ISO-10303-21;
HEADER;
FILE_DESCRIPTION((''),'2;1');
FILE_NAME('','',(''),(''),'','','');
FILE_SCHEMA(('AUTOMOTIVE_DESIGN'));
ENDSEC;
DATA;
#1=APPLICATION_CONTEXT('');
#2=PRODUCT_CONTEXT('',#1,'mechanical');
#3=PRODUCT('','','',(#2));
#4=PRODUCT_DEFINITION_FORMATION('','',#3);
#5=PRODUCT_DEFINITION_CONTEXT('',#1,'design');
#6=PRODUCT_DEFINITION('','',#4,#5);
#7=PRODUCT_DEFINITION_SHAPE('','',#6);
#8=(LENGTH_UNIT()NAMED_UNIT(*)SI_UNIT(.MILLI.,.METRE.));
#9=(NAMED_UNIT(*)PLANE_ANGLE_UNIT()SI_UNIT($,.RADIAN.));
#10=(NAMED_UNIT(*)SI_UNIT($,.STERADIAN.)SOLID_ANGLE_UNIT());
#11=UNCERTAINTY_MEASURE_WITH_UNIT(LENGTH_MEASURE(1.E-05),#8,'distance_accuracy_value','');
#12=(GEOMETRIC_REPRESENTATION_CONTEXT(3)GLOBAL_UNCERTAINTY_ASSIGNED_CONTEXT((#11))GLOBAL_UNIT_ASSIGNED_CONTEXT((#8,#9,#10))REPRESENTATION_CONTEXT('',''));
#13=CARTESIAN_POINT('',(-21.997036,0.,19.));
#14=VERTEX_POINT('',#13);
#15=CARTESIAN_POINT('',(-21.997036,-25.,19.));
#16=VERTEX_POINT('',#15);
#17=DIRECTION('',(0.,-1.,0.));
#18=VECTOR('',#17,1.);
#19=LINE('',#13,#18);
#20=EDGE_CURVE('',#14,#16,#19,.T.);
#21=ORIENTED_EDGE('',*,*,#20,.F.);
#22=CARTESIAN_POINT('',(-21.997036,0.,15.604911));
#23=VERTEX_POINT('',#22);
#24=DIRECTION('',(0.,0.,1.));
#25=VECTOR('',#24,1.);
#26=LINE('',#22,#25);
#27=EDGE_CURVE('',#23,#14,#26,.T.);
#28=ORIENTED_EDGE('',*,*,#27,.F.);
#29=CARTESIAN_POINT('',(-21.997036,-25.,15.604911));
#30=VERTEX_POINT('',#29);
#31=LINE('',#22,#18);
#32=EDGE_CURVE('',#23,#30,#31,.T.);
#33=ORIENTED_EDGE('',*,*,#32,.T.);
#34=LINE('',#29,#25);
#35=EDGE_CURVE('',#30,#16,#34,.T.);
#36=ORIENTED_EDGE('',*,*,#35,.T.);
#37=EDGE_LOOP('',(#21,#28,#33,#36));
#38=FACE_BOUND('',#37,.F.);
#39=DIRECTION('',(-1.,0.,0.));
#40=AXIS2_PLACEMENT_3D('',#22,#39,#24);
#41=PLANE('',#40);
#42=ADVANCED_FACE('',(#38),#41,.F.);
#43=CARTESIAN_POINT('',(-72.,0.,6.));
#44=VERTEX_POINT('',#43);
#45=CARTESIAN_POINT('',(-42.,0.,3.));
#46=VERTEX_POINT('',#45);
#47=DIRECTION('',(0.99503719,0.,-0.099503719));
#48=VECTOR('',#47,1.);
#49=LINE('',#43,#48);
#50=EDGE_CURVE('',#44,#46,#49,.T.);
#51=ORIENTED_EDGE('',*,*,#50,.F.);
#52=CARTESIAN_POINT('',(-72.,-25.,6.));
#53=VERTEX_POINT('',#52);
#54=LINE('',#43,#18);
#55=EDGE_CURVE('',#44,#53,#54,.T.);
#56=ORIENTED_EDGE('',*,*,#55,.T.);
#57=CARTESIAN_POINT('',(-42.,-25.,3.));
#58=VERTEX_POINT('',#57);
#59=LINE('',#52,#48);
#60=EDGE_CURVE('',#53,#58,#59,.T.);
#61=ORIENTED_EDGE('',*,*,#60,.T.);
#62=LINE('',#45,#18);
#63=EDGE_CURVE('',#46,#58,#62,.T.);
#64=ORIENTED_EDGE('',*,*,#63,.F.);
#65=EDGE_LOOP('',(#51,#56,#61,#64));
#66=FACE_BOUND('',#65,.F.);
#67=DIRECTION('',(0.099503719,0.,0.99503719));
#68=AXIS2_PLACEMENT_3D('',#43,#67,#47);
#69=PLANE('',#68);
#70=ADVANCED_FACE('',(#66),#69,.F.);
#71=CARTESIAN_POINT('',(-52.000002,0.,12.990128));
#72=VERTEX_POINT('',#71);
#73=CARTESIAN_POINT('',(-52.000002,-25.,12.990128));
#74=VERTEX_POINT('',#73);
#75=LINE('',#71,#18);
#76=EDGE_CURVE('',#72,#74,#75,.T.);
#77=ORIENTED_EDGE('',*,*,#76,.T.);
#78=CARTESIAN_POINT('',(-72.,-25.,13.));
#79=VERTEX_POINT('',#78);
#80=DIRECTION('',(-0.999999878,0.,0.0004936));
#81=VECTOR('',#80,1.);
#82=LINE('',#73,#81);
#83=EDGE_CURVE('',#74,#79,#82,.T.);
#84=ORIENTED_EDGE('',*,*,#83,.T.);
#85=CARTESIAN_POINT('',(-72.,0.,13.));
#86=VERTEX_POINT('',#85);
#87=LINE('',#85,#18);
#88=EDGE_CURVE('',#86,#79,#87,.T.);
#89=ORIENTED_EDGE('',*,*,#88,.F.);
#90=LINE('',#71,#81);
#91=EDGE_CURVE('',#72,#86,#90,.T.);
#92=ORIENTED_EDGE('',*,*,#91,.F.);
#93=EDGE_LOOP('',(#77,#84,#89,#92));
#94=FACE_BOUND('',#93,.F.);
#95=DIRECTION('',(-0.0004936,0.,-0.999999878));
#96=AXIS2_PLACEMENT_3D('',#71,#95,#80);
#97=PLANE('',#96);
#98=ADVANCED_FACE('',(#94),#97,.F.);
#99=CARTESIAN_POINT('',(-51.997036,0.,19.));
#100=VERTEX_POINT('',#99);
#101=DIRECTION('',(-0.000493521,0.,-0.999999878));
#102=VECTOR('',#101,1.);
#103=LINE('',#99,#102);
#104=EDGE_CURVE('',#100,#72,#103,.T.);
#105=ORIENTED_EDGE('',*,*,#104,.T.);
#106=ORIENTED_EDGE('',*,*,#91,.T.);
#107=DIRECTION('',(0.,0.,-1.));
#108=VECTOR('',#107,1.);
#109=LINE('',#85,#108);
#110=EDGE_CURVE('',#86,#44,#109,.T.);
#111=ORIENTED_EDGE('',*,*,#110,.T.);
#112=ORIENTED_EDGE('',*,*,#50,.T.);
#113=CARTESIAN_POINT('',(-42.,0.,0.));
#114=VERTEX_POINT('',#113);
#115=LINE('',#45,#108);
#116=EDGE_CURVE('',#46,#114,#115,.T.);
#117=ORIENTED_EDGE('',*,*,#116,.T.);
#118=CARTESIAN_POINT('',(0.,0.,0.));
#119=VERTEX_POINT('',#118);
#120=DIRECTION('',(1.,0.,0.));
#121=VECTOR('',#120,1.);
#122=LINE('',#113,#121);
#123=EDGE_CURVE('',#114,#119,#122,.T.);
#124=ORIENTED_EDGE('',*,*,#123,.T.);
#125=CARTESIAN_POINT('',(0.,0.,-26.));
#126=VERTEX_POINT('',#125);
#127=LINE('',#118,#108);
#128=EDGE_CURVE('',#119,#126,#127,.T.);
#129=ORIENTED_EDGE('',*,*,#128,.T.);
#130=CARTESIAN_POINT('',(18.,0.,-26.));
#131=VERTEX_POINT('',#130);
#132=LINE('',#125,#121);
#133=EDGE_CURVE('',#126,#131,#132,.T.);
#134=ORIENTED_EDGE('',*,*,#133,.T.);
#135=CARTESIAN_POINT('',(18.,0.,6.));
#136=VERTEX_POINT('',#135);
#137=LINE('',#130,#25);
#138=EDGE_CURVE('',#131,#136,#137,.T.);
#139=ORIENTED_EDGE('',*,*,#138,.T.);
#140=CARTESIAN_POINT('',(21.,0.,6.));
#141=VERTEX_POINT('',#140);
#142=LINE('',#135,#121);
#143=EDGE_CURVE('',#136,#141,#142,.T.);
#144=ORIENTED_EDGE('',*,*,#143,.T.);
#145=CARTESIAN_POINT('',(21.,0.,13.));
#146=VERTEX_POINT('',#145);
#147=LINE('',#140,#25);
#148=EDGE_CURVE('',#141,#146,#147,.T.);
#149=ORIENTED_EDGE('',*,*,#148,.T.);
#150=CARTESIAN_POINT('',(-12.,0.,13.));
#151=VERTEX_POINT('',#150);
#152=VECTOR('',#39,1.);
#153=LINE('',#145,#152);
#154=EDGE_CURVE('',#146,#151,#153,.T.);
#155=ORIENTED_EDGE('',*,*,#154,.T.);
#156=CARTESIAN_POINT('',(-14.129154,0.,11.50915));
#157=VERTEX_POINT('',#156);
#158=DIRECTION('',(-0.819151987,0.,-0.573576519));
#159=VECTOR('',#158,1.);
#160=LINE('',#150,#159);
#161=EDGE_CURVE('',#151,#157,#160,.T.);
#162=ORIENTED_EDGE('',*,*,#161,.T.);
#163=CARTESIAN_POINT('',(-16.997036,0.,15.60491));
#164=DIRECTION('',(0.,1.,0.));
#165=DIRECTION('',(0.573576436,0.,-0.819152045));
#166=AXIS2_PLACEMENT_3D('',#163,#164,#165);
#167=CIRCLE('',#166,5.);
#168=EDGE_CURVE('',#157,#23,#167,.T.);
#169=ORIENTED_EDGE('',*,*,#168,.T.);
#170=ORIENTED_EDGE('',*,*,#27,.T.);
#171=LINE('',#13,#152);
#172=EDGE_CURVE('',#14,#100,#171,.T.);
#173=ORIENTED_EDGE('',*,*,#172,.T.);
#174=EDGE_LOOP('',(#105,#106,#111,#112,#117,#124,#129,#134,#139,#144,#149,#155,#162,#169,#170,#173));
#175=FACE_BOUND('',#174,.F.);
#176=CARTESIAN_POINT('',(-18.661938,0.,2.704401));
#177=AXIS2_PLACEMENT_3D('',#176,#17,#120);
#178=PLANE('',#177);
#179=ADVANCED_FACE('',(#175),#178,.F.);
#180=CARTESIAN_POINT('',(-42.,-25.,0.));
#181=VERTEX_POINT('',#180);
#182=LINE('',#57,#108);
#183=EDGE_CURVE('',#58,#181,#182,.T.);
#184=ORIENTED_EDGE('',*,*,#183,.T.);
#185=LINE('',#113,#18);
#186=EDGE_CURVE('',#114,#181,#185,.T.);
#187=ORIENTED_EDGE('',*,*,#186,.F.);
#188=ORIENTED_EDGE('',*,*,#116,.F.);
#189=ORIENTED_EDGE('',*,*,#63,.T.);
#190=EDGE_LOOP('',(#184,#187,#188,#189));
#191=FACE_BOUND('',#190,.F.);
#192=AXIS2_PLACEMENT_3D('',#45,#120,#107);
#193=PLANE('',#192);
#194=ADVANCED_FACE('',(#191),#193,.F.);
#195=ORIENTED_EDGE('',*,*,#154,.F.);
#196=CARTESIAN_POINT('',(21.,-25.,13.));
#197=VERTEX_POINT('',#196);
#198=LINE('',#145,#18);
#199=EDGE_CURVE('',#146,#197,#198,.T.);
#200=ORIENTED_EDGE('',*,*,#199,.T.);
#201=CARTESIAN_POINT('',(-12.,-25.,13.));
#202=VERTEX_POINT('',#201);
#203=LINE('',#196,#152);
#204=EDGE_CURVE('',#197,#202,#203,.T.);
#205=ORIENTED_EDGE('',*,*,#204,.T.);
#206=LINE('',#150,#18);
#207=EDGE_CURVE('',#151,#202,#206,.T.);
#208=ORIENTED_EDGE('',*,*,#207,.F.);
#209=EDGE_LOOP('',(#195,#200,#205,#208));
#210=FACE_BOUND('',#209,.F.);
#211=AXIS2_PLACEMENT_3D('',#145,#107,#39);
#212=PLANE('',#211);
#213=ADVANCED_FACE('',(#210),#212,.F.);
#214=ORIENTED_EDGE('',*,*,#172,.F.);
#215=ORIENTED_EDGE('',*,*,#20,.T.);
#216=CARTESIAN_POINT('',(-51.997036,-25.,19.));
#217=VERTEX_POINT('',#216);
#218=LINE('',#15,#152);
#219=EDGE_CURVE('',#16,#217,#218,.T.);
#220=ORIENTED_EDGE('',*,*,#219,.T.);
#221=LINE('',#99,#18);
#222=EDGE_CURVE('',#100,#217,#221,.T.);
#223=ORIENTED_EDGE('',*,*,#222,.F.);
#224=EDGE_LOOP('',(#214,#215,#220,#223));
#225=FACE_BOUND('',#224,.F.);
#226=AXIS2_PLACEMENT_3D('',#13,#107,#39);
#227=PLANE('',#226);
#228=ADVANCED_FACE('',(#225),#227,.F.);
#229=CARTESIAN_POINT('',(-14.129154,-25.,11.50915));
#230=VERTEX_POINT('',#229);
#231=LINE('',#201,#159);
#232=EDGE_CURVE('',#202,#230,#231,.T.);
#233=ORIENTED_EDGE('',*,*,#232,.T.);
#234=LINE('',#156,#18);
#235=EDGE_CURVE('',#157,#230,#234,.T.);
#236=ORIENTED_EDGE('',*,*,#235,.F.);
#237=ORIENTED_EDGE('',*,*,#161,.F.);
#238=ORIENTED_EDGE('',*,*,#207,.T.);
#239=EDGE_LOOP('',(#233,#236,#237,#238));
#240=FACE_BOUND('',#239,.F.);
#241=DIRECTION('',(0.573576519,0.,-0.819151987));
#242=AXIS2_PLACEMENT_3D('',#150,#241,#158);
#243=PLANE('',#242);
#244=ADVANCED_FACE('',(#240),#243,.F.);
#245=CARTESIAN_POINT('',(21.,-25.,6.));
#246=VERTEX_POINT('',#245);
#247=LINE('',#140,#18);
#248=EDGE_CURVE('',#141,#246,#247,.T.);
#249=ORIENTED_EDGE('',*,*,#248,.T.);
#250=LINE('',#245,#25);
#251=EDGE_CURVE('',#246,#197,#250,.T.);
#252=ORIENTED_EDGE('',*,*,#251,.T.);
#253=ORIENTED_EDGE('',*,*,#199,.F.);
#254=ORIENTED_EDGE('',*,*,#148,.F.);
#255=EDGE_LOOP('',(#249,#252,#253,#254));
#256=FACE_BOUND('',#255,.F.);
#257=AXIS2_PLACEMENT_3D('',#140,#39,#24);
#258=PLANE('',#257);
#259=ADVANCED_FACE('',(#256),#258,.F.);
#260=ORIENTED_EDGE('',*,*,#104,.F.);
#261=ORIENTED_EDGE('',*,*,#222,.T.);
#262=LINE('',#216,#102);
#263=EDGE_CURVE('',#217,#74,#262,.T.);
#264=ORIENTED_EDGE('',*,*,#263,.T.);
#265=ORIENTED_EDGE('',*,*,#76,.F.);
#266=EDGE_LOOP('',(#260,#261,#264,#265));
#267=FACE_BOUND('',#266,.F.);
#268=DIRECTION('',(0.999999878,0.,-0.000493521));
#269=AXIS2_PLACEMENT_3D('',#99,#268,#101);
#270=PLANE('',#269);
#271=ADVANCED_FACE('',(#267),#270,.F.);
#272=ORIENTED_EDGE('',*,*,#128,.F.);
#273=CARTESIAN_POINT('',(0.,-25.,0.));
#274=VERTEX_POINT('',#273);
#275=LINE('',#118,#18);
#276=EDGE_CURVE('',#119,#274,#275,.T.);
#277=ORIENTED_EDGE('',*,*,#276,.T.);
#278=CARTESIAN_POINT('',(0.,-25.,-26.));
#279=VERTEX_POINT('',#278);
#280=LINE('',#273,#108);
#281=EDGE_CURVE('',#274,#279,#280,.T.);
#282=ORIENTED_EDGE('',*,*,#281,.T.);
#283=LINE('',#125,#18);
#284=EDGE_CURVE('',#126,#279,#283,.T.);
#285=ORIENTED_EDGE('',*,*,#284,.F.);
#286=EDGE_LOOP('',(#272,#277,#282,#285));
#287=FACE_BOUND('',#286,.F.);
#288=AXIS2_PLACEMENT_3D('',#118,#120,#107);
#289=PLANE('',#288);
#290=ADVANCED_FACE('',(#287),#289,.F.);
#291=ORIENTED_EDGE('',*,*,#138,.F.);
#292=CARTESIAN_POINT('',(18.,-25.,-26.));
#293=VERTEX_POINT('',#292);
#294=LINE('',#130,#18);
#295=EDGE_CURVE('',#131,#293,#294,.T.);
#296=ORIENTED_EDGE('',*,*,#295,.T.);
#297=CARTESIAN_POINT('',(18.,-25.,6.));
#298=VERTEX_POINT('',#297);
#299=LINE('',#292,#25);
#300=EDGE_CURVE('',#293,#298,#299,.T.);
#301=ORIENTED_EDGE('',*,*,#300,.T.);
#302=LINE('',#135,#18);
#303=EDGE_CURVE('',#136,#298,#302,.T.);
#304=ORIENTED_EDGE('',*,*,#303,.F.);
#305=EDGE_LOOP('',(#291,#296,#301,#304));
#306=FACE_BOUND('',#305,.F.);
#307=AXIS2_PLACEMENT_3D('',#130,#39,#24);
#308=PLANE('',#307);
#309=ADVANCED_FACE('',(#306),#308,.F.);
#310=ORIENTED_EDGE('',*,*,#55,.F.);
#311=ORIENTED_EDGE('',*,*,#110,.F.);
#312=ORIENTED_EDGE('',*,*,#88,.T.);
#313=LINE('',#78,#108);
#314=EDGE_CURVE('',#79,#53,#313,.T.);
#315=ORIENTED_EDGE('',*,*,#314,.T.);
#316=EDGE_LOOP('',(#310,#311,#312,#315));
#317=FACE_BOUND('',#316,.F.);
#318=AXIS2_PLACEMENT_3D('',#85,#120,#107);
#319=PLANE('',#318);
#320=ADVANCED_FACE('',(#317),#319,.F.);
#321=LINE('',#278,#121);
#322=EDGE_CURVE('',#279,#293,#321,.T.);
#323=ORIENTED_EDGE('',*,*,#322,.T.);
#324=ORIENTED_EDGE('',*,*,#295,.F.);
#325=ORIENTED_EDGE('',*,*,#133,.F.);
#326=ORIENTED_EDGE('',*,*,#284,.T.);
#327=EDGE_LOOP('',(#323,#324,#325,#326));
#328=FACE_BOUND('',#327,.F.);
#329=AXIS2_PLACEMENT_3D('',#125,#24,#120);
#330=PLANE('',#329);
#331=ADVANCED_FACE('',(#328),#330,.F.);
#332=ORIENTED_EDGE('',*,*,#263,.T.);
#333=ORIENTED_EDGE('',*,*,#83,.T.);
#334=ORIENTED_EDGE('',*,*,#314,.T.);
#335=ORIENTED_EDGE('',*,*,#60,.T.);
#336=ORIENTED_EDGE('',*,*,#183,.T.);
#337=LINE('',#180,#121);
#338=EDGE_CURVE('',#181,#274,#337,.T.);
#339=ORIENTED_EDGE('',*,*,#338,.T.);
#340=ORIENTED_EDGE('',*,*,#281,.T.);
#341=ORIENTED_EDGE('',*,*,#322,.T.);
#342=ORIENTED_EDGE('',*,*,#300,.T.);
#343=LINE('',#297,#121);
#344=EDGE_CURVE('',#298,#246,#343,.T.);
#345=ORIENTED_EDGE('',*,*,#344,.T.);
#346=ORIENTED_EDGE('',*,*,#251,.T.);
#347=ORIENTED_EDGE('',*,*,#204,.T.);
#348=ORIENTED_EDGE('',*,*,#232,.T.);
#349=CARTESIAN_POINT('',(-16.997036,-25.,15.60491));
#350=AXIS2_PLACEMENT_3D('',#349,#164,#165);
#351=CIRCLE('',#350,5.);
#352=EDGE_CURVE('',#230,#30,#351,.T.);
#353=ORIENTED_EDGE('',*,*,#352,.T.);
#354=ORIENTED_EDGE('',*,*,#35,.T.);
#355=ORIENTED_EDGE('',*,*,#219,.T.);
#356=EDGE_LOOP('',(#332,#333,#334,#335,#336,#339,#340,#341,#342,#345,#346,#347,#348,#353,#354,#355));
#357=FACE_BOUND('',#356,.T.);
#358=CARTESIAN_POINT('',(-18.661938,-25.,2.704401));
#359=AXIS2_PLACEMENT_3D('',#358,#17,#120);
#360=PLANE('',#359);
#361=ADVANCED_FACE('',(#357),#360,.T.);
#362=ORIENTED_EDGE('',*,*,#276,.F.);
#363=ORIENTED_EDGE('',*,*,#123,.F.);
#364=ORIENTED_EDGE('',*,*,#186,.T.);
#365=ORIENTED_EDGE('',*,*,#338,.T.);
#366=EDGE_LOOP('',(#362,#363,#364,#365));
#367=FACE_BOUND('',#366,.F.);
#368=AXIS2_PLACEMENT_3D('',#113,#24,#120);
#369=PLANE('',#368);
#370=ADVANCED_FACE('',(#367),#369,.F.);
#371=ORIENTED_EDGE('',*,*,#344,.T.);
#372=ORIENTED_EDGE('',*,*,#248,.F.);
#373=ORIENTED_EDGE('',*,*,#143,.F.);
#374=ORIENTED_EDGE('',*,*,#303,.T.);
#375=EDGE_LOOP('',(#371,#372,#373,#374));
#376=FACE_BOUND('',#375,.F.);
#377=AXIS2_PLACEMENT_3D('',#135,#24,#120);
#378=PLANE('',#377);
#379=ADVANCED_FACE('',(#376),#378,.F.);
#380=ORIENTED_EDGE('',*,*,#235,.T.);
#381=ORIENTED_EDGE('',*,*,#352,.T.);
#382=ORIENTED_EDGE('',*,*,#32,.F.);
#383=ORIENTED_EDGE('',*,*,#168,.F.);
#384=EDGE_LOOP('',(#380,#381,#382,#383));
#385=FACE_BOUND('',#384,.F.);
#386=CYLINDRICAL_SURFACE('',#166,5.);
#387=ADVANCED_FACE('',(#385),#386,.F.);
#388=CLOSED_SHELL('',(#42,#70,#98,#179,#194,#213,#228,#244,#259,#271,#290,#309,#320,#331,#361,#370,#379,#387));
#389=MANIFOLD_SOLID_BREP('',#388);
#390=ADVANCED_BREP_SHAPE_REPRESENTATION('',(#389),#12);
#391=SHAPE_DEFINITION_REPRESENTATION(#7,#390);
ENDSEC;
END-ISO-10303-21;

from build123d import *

# Parameters (mm, degrees)
F1_DEPTH = 25


with BuildPart() as f1:
    # F0 (on Front) → F1 (new body)
    with BuildSketch(Plane.XZ):
        with BuildLine():
            Line((-42, 3), (-42, 0))
            Line((-42, 0), (0, 0))
            Line((0, 0), (0, -26))
            Line((0, -26), (18, -26))
            Line((18, -26), (18, 6))
            Line((18, 6), (21, 6))
            Line((21, 6), (21, 13))
            Line((21, 13), (-12, 13))
            Line((-12, 13), (-14.129154, 11.50915))
            ThreePointArc((-14.129154, 11.50915), (-19.305779, 11.169856), (-21.997036, 15.604911))
            Line((-21.997036, 15.604911), (-21.997036, 19))
            Line((-21.997036, 19), (-51.997036, 19))
            Line((-51.997036, 19), (-52.000002, 12.990128))
            Line((-52.000002, 12.990128), (-72, 13))
            Line((-72, 13), (-72, 6))
            Line((-72, 6), (-42, 3))
        make_face()
    extrude(amount=F1_DEPTH)


solid = f1.part
